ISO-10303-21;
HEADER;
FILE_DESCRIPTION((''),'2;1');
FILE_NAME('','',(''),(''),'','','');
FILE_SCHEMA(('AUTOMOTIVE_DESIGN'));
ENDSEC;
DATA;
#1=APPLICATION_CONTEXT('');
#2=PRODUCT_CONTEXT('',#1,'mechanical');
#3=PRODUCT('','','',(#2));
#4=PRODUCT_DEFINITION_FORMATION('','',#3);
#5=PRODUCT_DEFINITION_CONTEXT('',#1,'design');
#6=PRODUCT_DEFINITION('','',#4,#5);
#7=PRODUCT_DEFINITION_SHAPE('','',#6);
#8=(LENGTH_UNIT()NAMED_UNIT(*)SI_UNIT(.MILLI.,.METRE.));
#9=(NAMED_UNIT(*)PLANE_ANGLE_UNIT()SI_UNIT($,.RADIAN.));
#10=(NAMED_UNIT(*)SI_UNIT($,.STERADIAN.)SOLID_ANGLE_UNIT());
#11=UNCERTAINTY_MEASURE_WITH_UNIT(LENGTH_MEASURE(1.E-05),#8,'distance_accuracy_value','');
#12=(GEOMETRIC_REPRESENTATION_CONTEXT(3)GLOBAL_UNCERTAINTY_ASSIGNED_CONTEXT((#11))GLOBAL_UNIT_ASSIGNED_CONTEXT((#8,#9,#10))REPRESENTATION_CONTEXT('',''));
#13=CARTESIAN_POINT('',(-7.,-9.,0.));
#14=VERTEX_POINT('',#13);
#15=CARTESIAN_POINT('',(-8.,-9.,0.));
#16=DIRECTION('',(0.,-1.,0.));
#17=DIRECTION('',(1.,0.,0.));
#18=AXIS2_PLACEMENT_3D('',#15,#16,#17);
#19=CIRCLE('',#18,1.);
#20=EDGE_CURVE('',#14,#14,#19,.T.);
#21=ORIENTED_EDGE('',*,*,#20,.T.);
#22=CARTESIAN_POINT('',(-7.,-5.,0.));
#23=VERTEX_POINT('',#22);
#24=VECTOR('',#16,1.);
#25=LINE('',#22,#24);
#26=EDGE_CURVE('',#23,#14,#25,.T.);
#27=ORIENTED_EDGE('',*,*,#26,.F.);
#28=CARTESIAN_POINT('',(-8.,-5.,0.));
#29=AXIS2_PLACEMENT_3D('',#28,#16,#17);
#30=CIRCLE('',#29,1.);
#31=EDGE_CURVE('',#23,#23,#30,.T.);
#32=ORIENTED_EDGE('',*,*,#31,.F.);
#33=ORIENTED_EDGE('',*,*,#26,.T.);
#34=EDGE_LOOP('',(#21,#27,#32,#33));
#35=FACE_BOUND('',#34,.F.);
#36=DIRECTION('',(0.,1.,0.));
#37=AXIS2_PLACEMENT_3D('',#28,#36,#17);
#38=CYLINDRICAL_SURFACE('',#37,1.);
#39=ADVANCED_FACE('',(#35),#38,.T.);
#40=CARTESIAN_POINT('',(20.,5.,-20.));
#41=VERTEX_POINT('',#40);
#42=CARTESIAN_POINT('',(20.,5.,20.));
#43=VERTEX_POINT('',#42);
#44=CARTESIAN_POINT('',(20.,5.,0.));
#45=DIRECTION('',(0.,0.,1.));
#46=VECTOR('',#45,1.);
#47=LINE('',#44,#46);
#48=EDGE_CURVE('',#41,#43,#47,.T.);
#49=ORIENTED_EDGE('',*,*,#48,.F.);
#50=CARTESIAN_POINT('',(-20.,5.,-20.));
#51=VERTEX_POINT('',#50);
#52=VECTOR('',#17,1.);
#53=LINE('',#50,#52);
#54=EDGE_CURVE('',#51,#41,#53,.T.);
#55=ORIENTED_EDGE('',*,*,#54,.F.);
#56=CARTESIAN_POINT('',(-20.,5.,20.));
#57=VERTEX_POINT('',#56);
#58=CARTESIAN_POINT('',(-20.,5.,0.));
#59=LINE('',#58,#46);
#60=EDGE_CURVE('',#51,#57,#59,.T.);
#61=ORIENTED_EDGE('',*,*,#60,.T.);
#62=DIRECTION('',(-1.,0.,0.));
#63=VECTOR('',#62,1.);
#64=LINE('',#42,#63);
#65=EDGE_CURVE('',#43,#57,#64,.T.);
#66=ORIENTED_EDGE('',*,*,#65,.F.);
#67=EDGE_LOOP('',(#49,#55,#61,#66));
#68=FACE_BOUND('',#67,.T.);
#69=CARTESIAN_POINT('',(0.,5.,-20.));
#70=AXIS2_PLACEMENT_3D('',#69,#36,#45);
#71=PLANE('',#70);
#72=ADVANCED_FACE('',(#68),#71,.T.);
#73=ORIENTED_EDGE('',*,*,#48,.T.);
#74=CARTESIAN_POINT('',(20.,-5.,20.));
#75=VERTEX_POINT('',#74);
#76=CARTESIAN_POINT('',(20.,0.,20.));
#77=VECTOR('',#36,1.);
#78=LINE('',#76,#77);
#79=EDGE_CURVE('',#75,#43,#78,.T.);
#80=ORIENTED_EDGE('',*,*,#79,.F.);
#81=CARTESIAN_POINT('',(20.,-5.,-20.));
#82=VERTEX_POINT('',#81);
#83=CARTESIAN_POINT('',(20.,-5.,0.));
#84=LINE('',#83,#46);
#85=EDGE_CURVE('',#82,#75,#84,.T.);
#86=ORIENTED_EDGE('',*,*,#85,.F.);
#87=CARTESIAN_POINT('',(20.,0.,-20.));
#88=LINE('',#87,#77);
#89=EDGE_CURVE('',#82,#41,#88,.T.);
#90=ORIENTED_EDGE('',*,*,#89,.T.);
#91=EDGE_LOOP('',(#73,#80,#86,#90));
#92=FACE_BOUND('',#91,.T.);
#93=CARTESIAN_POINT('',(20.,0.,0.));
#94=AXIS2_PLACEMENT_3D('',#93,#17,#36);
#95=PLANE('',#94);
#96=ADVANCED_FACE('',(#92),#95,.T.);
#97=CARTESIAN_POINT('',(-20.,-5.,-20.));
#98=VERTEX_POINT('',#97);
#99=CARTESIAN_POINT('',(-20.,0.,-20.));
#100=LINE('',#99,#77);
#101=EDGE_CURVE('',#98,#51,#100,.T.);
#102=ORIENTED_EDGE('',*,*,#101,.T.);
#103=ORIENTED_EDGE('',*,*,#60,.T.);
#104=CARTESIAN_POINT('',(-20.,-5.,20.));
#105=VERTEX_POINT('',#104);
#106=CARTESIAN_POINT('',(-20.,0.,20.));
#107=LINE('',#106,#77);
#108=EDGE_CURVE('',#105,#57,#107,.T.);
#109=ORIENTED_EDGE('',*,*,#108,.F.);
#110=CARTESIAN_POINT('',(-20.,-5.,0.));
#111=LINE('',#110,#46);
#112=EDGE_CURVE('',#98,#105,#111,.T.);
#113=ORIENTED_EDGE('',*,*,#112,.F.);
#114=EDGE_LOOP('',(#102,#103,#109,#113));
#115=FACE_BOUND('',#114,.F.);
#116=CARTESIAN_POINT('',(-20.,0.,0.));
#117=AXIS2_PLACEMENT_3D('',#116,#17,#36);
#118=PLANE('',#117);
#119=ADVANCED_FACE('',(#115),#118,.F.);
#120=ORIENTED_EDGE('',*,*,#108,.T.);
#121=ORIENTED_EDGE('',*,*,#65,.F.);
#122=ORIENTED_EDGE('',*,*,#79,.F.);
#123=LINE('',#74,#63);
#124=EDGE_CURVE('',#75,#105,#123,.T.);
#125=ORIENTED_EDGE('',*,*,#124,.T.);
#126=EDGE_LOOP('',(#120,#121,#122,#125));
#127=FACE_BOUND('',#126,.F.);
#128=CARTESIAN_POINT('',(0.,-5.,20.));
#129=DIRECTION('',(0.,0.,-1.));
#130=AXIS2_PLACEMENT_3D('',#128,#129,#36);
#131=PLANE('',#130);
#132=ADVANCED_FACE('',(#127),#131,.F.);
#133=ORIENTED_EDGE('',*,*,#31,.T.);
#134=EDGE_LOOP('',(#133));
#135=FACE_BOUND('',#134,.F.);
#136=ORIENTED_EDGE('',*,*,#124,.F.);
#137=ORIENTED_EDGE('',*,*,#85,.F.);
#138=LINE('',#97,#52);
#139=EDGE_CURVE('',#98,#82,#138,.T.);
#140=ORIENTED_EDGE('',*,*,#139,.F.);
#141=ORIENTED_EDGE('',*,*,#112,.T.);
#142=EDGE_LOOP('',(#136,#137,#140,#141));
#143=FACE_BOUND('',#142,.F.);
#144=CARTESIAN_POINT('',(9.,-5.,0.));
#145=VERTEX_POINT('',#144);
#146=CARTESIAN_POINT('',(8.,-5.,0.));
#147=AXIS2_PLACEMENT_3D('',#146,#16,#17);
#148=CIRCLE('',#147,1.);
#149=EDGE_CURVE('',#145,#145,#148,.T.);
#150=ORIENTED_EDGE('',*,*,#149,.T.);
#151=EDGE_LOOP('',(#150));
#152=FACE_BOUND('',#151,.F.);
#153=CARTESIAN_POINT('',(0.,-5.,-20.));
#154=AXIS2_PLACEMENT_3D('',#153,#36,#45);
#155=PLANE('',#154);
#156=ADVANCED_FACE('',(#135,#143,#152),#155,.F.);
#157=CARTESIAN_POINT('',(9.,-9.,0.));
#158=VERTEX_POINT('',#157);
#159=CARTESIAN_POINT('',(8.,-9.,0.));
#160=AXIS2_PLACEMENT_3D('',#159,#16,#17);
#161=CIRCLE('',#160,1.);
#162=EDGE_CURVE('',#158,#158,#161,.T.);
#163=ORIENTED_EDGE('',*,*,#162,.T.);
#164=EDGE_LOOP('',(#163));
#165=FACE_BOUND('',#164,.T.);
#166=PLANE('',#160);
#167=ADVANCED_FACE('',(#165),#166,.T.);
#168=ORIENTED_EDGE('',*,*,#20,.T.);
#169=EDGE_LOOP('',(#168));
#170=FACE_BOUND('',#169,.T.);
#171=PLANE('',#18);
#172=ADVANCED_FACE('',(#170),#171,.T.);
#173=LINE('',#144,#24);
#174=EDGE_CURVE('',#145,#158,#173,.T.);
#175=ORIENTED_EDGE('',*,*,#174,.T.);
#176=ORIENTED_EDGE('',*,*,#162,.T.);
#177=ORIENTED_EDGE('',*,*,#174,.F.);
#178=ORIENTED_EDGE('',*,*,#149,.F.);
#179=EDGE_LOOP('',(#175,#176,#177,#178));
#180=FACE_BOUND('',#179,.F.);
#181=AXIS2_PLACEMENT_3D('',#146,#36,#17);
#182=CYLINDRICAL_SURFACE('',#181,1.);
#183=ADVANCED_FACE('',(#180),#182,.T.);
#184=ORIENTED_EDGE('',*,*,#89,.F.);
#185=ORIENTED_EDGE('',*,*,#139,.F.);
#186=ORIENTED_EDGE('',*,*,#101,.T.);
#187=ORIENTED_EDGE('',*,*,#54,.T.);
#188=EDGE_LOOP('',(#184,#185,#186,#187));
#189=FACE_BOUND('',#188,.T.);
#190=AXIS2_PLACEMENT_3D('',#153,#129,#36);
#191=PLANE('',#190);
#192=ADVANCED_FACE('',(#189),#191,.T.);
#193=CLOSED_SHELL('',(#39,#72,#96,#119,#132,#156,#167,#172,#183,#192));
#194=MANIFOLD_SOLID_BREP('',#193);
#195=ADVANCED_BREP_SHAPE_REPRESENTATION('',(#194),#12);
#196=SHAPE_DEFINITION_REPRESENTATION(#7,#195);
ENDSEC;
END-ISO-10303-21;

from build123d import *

# Parameters (mm, degrees)
F0_W          = 10
F0_H          = 40
F1_DEPTH      = 20
F1_DEPTH_BACK = 20
F2_R          = 1
F3_DEPTH      = 4


with BuildPart() as f1:
    # F0 (on Right) → F1 (new body, two sides)
    with BuildSketch(Plane.YZ) as f1_sk:
        Rectangle(F0_W, F0_H)
    extrude(amount=F1_DEPTH)
    extrude(f1_sk.sketch, amount=-F1_DEPTH_BACK)

    # F2 (on face) → F3 (join)
    with BuildSketch(Plane.XZ.offset(5)):
        with Locations((-8, 0)):
            Circle(F2_R)
        with Locations((8, 0)):
            Circle(F2_R)
    extrude(amount=F3_DEPTH)


solid = f1.part
